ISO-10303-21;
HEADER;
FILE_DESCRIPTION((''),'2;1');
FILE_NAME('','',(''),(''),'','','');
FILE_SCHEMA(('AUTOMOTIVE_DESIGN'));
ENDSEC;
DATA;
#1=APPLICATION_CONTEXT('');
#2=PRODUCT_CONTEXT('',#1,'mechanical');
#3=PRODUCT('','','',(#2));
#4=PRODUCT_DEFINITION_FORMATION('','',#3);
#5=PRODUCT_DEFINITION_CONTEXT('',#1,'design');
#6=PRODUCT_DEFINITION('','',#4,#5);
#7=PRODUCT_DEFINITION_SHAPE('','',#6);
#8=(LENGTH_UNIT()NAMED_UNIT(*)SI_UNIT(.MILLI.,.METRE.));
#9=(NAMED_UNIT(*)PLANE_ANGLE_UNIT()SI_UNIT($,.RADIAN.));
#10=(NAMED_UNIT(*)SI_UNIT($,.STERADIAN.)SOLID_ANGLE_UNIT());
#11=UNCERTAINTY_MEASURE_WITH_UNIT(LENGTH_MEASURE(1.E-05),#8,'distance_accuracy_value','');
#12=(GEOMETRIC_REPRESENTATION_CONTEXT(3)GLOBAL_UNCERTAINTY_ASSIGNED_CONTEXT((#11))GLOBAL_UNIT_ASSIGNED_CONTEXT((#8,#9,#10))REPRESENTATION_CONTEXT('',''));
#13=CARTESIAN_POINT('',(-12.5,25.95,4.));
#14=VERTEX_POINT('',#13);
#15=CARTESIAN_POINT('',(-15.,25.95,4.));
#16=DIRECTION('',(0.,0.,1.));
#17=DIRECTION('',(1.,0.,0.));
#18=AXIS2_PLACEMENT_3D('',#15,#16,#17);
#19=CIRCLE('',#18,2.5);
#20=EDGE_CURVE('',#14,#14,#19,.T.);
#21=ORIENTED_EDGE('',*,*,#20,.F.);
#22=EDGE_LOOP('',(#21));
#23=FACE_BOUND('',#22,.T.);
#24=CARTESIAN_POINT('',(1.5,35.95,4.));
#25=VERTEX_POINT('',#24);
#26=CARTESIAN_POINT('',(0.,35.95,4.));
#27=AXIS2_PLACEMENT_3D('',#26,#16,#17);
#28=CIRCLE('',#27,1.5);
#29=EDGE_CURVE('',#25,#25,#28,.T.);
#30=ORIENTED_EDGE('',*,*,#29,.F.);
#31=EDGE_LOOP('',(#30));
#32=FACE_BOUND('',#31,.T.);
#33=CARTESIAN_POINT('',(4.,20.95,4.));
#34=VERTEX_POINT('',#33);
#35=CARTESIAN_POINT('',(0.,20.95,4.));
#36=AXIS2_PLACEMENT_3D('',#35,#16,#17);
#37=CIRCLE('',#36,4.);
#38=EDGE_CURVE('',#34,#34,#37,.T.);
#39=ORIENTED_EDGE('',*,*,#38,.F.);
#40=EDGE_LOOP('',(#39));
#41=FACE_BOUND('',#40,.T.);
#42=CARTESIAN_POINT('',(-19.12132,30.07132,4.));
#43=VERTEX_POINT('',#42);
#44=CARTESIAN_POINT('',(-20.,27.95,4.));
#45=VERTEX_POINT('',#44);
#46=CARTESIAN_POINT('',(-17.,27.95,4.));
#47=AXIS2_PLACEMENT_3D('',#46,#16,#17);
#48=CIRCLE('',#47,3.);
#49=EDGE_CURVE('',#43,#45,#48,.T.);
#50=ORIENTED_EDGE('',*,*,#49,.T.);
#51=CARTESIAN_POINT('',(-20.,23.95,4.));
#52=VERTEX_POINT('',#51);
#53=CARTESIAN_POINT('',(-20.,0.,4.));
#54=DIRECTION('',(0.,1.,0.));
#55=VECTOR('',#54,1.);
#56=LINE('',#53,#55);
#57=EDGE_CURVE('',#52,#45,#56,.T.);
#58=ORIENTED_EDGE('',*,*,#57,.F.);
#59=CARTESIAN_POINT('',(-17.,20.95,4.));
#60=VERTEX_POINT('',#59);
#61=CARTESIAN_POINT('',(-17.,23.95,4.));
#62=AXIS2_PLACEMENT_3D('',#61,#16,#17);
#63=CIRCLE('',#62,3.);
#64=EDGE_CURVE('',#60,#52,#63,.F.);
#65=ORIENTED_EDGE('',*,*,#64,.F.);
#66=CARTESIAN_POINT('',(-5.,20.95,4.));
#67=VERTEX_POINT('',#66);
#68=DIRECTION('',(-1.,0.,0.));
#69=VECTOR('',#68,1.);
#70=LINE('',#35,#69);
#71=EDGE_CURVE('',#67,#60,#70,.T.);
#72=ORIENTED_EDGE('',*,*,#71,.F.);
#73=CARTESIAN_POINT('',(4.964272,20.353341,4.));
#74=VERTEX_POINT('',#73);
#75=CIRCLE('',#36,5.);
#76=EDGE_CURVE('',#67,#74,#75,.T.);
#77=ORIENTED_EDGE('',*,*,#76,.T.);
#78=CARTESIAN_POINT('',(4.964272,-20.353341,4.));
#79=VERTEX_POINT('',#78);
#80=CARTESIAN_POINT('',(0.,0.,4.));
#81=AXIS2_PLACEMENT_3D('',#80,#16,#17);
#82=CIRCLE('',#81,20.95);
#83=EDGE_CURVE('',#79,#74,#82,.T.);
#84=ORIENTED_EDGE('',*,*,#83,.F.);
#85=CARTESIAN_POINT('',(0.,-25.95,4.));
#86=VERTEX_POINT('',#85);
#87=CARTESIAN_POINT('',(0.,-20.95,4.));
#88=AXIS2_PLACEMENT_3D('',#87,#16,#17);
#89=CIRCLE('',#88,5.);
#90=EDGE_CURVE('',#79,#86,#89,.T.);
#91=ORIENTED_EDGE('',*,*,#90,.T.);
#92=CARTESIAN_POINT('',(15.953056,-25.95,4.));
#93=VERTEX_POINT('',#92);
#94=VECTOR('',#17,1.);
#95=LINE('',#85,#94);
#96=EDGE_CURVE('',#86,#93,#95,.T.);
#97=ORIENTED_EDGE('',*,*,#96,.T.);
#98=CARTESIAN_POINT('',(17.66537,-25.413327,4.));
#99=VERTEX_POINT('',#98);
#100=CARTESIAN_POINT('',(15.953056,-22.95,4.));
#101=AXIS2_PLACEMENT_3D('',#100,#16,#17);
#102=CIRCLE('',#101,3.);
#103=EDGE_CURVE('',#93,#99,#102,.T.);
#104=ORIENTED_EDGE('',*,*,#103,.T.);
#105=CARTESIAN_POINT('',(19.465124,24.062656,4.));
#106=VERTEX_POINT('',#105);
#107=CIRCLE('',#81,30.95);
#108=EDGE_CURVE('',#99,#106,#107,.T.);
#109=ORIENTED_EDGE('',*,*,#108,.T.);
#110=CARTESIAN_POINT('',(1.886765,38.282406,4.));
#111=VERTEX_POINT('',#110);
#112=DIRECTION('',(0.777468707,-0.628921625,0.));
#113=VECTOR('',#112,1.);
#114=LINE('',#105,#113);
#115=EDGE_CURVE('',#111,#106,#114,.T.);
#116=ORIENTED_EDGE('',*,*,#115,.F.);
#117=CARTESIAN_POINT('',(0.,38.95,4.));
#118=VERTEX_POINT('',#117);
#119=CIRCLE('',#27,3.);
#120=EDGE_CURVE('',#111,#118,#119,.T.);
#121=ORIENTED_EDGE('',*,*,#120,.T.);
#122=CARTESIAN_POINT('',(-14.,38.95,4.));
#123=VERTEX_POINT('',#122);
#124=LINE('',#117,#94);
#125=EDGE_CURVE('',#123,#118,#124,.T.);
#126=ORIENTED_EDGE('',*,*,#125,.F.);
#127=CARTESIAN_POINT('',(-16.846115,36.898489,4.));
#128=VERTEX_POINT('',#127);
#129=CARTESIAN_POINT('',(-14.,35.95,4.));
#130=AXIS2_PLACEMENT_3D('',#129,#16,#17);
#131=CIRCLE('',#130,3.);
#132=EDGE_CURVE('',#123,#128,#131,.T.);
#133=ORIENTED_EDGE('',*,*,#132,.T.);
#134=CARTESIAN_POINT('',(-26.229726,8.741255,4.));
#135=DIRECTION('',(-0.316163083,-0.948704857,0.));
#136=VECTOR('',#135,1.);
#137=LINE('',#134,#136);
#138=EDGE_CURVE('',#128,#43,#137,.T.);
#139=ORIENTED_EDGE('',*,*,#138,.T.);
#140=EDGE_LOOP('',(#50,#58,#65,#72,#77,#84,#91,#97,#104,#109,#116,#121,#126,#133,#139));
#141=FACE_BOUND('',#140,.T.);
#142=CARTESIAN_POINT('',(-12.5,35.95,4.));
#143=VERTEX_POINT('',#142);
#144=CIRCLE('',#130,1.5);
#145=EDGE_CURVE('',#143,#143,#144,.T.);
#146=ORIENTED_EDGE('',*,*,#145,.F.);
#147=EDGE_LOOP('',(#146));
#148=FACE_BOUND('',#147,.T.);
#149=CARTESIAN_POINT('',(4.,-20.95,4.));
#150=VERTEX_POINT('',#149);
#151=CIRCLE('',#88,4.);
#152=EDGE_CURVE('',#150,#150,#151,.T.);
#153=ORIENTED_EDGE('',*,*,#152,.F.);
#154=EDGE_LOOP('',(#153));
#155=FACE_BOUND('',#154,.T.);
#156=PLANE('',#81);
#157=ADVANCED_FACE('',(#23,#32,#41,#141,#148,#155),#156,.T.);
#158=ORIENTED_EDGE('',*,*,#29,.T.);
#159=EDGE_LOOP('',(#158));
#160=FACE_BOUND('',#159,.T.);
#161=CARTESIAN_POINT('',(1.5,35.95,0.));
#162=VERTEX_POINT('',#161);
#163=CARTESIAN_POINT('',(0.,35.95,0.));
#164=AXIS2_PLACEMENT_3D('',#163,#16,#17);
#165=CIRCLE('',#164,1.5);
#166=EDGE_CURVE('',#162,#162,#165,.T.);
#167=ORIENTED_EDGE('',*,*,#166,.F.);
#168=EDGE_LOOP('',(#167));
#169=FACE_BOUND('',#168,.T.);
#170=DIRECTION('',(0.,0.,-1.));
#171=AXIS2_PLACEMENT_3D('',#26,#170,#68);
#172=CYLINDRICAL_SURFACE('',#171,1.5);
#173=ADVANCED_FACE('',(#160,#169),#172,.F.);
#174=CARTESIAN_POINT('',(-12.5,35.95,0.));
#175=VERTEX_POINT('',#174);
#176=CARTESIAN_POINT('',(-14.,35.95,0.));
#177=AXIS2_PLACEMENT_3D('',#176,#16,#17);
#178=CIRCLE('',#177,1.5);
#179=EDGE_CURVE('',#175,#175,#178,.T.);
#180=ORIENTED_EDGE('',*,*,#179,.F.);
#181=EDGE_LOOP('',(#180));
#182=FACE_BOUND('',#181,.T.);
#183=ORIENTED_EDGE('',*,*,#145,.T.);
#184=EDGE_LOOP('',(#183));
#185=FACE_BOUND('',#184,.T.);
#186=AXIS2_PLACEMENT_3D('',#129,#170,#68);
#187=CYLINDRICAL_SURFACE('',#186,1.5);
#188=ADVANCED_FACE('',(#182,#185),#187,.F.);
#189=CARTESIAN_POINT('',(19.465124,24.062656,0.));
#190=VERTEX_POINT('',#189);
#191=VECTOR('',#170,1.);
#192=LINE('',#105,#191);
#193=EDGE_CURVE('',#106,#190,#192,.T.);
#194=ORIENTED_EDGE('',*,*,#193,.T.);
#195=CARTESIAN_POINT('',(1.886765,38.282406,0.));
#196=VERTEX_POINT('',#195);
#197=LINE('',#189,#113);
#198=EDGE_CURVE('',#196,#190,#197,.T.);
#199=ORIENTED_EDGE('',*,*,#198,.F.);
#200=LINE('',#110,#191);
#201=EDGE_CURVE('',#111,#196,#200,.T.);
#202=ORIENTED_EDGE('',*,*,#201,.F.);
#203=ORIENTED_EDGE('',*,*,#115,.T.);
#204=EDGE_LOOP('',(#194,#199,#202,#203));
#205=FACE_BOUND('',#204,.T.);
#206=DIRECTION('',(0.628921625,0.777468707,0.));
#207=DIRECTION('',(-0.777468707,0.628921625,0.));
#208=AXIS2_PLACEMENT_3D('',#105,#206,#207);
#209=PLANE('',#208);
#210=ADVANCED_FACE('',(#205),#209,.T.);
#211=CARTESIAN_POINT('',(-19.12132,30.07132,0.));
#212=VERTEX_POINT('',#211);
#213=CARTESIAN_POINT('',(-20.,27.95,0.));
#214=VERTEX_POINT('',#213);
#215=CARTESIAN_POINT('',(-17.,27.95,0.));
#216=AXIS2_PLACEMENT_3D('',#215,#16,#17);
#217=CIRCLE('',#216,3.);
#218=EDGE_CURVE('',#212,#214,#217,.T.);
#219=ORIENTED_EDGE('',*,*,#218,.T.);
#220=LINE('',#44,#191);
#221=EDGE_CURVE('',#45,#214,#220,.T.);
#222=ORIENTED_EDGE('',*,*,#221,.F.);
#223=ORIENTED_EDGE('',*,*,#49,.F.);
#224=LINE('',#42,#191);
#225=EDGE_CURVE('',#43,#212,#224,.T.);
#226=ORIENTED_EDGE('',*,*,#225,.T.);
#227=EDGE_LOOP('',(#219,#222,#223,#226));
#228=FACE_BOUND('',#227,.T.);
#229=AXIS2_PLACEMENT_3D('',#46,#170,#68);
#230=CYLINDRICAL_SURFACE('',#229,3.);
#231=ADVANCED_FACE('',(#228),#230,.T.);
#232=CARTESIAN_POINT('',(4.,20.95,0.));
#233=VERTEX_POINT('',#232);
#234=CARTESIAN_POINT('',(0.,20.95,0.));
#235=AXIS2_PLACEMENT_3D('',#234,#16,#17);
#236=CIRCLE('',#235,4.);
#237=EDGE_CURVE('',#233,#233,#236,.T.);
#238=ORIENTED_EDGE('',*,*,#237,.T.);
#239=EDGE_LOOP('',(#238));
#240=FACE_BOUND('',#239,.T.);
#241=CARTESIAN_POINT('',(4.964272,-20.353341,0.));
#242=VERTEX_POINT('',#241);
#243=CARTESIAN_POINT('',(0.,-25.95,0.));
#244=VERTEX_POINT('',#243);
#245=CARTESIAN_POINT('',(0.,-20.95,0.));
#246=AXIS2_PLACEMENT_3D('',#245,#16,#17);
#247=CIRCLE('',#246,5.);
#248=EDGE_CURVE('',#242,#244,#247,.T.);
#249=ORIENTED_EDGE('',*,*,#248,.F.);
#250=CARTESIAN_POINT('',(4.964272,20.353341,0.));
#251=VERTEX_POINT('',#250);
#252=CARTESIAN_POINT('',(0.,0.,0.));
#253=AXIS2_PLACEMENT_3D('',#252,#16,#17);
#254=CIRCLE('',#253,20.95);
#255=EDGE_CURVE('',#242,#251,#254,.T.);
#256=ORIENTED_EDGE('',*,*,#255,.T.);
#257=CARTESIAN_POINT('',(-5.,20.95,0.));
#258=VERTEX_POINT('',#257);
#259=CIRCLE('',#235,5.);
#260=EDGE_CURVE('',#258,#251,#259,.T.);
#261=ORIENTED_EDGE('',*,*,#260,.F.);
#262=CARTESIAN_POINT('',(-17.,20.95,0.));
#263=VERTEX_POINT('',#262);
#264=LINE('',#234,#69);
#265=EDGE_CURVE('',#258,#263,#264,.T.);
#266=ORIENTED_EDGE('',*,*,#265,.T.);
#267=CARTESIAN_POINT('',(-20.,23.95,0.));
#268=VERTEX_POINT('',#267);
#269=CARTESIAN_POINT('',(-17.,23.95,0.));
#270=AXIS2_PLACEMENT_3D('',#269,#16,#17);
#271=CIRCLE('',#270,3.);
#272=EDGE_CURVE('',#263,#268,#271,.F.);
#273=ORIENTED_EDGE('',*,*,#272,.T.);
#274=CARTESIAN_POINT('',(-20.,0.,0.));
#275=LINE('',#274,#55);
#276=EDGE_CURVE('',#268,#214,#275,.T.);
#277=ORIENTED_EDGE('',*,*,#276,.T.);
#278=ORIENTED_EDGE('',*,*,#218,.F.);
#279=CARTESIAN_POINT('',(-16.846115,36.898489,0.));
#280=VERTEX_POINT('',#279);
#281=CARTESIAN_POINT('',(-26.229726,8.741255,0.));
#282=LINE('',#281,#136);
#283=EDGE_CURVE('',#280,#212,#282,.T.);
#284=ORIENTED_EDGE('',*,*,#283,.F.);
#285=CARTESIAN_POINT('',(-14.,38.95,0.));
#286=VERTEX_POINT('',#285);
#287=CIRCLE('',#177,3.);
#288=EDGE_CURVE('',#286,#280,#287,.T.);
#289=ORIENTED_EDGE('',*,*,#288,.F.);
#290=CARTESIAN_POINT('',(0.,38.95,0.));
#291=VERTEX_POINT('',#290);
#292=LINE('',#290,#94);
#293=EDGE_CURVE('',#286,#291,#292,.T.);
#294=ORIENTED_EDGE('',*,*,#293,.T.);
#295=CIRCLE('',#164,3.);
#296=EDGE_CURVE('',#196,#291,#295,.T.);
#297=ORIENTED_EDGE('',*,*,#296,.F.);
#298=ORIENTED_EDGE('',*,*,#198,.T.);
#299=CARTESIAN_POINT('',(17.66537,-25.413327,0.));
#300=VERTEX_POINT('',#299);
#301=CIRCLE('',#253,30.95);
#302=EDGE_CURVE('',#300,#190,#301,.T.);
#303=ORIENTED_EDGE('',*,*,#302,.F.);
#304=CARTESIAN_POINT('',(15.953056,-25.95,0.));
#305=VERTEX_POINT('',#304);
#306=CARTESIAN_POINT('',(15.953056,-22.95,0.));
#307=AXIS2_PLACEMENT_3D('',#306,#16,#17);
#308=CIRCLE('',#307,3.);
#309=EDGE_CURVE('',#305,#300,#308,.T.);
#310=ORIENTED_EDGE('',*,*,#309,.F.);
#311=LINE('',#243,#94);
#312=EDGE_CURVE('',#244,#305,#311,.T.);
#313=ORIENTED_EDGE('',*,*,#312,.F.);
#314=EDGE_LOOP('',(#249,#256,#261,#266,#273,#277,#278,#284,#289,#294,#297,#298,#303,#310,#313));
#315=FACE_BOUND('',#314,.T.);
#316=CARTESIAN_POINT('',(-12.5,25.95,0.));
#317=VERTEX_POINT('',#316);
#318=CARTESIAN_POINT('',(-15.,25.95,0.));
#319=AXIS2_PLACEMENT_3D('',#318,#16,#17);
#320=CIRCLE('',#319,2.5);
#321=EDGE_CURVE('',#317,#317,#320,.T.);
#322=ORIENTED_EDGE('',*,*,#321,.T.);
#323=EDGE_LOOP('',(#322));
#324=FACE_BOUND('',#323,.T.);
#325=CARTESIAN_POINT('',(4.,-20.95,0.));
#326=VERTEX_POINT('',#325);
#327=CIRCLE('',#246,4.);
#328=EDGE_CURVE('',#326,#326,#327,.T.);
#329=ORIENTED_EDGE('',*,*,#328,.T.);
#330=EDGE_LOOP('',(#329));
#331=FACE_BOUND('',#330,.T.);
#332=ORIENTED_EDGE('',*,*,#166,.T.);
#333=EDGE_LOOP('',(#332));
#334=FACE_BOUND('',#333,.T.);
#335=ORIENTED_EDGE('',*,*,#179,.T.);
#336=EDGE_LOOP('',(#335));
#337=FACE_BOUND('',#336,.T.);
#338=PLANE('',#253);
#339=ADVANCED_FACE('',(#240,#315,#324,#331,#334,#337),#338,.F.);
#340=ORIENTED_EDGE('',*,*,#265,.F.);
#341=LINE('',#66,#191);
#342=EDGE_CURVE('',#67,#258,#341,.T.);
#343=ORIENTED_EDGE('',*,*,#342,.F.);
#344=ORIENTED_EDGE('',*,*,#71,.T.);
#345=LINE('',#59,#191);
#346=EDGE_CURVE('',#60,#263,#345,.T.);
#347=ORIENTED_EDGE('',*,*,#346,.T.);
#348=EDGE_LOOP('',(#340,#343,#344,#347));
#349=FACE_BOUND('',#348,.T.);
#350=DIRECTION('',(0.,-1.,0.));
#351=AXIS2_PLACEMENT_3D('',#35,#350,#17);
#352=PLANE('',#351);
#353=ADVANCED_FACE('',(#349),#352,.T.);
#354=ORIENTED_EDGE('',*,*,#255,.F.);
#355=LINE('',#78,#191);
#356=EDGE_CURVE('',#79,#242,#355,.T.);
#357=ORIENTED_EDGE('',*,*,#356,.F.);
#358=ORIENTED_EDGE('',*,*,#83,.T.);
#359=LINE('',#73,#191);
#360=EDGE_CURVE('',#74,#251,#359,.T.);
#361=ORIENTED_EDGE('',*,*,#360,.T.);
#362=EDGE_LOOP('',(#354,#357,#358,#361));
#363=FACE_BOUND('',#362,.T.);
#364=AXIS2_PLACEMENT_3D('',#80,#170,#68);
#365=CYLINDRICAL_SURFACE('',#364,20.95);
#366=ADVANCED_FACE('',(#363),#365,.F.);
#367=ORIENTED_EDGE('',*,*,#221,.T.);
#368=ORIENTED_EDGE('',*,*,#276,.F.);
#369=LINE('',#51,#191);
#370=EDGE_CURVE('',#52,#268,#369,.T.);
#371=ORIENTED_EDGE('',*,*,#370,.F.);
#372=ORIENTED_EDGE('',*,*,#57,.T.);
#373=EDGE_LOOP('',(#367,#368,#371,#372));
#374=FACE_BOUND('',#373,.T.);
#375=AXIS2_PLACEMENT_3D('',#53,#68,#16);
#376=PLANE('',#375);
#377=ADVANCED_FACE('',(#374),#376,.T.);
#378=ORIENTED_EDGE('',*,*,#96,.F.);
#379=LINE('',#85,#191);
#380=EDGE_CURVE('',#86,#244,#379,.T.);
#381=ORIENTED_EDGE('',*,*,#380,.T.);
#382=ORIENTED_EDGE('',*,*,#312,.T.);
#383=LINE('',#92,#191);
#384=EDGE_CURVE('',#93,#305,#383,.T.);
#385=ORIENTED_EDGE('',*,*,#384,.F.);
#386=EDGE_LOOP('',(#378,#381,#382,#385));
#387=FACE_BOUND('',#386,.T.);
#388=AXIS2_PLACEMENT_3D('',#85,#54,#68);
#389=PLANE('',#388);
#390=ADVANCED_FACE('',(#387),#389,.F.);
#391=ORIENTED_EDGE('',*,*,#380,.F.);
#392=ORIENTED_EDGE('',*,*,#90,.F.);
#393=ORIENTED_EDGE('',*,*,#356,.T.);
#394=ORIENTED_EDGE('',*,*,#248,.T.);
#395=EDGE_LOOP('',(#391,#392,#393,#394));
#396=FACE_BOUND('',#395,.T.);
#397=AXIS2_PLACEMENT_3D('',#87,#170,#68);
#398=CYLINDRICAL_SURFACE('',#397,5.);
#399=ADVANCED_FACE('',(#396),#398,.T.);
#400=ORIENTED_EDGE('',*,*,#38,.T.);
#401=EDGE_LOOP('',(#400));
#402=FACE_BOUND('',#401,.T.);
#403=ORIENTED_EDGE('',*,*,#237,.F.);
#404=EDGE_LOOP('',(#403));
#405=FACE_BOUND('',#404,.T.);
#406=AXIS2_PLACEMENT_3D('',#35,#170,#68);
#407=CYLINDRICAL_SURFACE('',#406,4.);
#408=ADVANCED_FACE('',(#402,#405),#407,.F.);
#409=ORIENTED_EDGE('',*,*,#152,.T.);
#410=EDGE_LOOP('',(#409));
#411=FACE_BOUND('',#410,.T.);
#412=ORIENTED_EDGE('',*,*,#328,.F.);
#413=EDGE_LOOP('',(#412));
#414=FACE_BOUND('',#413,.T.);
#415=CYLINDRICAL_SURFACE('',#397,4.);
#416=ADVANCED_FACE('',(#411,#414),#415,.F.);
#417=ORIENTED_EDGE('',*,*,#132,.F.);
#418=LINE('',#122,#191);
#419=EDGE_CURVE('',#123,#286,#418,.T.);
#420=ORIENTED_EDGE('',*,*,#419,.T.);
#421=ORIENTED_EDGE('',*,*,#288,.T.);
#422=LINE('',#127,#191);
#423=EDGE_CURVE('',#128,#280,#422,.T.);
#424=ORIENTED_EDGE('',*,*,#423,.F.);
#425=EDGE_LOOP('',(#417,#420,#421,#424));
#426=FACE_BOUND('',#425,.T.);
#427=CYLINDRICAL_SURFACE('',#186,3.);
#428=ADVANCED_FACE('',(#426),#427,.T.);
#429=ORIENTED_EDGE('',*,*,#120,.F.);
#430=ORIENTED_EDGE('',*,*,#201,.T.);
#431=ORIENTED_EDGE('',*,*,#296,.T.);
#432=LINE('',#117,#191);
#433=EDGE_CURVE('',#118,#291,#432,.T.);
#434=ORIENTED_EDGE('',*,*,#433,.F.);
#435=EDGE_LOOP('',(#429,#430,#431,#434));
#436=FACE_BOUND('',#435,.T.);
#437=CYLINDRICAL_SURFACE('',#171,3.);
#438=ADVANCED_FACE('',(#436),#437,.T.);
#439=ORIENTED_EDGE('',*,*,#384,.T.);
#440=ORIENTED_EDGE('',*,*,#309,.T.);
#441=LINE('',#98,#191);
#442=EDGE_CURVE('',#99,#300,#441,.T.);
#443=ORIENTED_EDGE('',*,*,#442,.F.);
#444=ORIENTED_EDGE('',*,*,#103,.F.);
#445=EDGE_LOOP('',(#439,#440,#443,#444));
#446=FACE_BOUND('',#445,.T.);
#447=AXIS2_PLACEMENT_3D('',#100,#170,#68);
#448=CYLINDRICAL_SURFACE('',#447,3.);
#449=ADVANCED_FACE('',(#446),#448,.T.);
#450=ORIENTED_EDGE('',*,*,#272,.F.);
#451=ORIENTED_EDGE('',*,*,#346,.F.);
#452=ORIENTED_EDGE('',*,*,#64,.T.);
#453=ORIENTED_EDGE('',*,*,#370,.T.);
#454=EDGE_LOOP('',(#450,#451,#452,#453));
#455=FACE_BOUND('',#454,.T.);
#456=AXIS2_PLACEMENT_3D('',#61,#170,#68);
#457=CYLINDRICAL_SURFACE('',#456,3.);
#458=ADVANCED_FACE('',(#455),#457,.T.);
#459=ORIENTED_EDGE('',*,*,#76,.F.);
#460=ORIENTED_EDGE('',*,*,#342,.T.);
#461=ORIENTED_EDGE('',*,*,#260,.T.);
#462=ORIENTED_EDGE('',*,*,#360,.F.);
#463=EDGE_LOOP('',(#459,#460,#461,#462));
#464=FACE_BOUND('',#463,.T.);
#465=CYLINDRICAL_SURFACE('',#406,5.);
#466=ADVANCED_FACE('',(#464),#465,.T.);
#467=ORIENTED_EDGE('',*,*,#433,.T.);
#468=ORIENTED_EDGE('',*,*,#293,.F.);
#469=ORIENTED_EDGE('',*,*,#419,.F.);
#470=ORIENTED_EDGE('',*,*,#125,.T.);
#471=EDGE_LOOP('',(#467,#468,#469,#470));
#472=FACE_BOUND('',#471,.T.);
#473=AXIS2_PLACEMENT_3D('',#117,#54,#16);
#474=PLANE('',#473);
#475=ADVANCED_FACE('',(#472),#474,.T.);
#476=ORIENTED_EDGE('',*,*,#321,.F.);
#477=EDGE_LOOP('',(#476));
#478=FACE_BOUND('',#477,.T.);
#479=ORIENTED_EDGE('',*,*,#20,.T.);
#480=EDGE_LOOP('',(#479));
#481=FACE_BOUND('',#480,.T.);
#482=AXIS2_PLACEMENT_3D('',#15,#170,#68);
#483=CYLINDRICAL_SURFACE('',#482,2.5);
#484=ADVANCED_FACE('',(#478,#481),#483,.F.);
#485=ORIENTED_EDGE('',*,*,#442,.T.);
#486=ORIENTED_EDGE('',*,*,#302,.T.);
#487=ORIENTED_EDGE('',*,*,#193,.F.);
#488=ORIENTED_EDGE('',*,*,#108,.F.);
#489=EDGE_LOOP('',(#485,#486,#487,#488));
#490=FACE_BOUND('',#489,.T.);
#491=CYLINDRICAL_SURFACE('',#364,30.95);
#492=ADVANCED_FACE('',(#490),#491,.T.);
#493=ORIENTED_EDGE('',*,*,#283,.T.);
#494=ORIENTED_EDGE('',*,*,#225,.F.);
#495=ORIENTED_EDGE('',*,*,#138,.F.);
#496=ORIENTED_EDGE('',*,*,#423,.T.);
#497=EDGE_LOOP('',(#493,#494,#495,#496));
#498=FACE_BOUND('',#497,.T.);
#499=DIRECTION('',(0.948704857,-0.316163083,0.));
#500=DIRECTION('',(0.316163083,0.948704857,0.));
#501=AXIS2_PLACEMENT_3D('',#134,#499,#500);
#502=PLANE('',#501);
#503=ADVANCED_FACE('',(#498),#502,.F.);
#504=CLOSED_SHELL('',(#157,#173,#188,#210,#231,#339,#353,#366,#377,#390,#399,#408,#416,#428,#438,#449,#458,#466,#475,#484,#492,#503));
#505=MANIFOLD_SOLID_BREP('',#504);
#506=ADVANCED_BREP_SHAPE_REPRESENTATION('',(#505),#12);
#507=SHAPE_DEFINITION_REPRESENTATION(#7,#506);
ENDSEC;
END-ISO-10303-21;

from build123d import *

# Parameters (mm, degrees)
CROQUIS1_R              = 4
CROQUIS1_R_2            = 2.5
CROQUIS1_R_3            = 1.5
SALIENTE_EXTRUIR1_DEPTH = 4


with BuildPart() as part:
    # Croquis1 → Saliente-Extruir1 (new body)
    with BuildSketch(Plane.XY):
        with BuildLine():
            ThreePointArc((17.665369851, -25.41332737), (30.929543207, -1.1251031), (19.465124293, 24.062656467))
            Line((19.465124293, 24.062656467), (1.886764875, 38.28240612))
            ThreePointArc((1.886764875, 38.28240612), (1.000695169, 38.778181249), (0, 38.95))
            Line((0, 38.95), (-14, 38.95))
            ThreePointArc((-14, 38.95), (-15.75421382, 38.383666755), (-16.84611457, 36.898489248))
            Line((-16.84611457, 36.898489248), (-19.121320344, 30.071320344))
            ThreePointArc((-19.121320344, 30.071320344), (-19.771638598, 29.098050297), (-20, 27.95))
            Line((-20, 27.95), (-20, 23.95))
            ThreePointArc((-20, 23.95), (-19.121320344, 21.828679656), (-17, 20.95))
            Line((-17, 20.95), (-5, 20.95))
            ThreePointArc((-5, 20.95), (-0.298863721, 15.958939945), (4.964272191, 20.353341289))
            ThreePointArc((4.964272191, 20.353341289), (20.95, 0), (4.964272191, -20.353341289))
            ThreePointArc((4.964272191, -20.353341289), (-3.740540974, -17.632116153), (0, -25.95))
            Line((0, -25.95), (15.953056134, -25.95))
            ThreePointArc((15.953056134, -25.95), (16.85027904, -25.812689479), (17.665369851, -25.41332737))
        make_face()
        with Locations((0, -20.95)):
            Circle(CROQUIS1_R, mode=Mode.SUBTRACT)
        with Locations((0, 20.95)):
            Circle(CROQUIS1_R, mode=Mode.SUBTRACT)
        with Locations((-15, 25.95)):
            Circle(CROQUIS1_R_2, mode=Mode.SUBTRACT)
        with Locations((0, 35.95)):
            Circle(CROQUIS1_R_3, mode=Mode.SUBTRACT)
        with Locations((-14, 35.95)):
            Circle(CROQUIS1_R_3, mode=Mode.SUBTRACT)
    extrude(amount=SALIENTE_EXTRUIR1_DEPTH)


solid = part.part
